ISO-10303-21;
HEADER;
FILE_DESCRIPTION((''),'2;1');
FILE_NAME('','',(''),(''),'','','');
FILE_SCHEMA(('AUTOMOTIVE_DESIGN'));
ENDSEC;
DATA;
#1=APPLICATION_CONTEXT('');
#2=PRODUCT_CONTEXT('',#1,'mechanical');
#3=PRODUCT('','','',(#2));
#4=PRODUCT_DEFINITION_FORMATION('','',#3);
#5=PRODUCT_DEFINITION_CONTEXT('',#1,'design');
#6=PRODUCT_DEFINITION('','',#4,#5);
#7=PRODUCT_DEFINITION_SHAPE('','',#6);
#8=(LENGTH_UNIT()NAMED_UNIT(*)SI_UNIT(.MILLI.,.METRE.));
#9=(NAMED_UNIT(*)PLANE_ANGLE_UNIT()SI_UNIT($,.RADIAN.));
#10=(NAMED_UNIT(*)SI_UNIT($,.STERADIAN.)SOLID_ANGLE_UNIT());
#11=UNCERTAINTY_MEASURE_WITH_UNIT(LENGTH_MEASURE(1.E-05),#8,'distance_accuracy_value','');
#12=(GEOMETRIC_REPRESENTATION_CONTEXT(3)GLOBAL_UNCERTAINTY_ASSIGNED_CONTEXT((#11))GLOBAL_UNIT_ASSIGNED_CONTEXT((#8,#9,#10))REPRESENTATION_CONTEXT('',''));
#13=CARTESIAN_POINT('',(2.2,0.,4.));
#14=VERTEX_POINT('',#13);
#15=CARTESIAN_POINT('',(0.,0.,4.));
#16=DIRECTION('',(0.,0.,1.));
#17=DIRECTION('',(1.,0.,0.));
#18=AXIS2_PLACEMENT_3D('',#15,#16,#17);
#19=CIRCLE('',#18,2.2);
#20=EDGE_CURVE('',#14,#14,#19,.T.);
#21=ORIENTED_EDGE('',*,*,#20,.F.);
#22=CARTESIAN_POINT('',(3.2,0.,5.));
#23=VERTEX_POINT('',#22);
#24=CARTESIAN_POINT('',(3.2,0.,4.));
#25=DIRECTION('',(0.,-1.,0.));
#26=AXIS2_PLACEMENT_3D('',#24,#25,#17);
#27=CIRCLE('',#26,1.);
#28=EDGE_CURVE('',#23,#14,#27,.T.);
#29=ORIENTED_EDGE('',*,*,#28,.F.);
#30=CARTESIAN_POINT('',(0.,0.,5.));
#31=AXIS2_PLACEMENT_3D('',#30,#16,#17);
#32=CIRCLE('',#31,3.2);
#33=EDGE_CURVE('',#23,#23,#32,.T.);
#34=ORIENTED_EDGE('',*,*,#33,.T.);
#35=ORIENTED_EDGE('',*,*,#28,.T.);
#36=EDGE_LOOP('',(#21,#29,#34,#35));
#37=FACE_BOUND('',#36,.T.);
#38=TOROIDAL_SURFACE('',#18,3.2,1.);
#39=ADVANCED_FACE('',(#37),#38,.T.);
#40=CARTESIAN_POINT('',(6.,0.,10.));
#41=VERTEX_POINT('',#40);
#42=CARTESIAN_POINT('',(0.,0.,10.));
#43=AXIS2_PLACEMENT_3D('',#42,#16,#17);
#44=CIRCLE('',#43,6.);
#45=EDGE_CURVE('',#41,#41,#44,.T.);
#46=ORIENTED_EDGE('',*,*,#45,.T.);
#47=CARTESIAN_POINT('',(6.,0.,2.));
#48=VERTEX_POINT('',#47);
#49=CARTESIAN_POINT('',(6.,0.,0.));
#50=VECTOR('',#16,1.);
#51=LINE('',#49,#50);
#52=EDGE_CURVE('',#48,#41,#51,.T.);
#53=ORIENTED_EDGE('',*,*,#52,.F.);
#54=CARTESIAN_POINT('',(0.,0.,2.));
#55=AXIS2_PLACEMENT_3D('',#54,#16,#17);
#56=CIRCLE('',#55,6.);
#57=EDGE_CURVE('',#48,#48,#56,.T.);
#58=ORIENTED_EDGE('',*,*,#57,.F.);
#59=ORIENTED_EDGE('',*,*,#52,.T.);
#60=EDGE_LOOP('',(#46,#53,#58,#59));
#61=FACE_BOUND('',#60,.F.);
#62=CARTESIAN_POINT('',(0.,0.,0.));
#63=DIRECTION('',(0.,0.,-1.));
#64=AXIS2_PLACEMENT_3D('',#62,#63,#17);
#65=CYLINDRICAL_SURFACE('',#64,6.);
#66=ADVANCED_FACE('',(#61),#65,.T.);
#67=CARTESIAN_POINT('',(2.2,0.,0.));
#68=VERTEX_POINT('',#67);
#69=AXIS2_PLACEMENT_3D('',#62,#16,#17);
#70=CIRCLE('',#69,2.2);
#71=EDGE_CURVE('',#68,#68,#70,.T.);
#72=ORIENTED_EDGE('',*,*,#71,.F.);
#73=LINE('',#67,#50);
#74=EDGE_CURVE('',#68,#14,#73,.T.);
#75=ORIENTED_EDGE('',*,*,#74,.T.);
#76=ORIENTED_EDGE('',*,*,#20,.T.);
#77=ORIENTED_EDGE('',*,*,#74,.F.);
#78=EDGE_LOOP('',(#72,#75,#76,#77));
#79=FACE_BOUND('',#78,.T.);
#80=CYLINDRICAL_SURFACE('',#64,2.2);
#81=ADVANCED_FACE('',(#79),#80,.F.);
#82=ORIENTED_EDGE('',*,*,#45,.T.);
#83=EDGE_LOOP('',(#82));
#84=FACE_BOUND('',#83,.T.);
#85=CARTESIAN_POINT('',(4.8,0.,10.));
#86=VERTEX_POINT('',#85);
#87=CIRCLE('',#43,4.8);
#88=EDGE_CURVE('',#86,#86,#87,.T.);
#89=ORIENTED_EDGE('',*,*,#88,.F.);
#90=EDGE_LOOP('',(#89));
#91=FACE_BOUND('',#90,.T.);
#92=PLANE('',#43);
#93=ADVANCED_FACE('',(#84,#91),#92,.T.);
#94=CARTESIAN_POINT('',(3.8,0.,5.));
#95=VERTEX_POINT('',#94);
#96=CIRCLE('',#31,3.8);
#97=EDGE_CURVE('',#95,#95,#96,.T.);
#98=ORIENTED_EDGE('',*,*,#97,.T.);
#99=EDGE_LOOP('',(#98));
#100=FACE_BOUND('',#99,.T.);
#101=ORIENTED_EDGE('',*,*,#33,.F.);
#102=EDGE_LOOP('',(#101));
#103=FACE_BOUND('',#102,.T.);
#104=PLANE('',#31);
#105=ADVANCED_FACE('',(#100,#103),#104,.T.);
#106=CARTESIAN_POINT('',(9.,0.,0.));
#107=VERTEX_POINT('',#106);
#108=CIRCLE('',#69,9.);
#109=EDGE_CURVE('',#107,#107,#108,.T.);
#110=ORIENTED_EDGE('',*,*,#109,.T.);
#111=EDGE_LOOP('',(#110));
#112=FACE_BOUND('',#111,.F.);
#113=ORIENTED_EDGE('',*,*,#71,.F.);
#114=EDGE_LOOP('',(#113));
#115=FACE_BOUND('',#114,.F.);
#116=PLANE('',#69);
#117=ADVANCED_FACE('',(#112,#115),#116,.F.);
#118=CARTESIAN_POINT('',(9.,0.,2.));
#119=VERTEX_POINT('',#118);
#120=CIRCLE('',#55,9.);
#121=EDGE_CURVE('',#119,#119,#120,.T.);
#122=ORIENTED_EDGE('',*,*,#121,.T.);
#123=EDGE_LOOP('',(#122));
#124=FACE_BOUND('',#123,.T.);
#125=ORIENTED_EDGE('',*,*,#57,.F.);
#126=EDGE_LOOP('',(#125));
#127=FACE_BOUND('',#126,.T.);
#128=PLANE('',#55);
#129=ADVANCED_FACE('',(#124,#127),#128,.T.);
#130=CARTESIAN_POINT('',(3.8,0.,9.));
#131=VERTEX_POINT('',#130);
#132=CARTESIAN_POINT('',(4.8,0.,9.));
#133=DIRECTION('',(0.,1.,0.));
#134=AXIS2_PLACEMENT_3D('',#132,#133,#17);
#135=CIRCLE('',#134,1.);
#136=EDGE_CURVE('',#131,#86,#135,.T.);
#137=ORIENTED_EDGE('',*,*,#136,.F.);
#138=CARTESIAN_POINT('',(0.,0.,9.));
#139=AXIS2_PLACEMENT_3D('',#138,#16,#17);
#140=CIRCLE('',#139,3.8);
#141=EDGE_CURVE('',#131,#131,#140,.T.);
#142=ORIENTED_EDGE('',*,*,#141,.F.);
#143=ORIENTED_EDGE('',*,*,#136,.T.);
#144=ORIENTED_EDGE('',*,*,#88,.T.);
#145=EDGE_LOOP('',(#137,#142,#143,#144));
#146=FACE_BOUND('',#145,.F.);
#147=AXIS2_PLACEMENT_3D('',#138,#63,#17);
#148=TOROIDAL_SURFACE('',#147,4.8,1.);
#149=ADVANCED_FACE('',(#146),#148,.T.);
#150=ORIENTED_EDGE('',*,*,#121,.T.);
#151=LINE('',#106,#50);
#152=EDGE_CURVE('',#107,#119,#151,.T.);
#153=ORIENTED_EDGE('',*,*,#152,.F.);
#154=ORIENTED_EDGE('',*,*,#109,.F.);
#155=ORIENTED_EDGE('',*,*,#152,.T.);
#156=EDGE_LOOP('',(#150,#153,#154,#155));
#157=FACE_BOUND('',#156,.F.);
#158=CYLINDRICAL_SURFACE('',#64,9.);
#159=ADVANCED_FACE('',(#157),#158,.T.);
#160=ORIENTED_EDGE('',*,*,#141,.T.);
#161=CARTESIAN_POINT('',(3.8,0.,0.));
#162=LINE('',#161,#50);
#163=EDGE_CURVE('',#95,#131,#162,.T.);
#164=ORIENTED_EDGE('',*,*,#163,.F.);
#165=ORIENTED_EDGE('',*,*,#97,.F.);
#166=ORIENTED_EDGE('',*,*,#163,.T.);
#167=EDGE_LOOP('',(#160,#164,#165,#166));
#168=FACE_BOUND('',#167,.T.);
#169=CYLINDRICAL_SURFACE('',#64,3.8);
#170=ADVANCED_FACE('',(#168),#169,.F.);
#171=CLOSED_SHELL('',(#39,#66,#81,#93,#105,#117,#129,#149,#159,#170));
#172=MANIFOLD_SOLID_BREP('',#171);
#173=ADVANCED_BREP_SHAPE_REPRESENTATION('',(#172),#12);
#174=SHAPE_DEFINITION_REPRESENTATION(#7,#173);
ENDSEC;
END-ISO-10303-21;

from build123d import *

# Parameters (mm, degrees)
F0_R     = 9
F0_R_2   = 6
F1_DEPTH = 2
F0_R_3   = 3.8
F2_DEPTH = 10
F0_R_4   = 2.2
F3_DEPTH = 5
F4_R     = 1
F5_R     = 1


with BuildPart() as f1:
    # F0 (on Top) → F1 (new body)
    with BuildSketch(Plane.XY):
        Circle(F0_R)
        Circle(F0_R_2, mode=Mode.SUBTRACT)
    extrude(amount=F1_DEPTH)

    # F0 (on Top) → F2 (join)
    with BuildSketch(Plane.XY):
        Circle(F0_R_2)
        Circle(F0_R_3, mode=Mode.SUBTRACT)
    extrude(amount=F2_DEPTH)

    # F0 (on Top) → F3 (join)
    with BuildSketch(Plane.XY):
        Circle(F0_R_3)
        Circle(F0_R_4, mode=Mode.SUBTRACT)
    extrude(amount=F3_DEPTH)

    # F4
    f4_edges = [f1.edges().sort_by_distance(p)[0] for p in [
        (-3.8, 0, 10),
    ]]
    fillet(f4_edges, radius=F4_R)

    # F5
    f5_edges = [f1.edges().sort_by_distance(p)[0] for p in [
        (-2.2, 0, 5),
    ]]
    fillet(f5_edges, radius=F5_R)


solid = f1.part
